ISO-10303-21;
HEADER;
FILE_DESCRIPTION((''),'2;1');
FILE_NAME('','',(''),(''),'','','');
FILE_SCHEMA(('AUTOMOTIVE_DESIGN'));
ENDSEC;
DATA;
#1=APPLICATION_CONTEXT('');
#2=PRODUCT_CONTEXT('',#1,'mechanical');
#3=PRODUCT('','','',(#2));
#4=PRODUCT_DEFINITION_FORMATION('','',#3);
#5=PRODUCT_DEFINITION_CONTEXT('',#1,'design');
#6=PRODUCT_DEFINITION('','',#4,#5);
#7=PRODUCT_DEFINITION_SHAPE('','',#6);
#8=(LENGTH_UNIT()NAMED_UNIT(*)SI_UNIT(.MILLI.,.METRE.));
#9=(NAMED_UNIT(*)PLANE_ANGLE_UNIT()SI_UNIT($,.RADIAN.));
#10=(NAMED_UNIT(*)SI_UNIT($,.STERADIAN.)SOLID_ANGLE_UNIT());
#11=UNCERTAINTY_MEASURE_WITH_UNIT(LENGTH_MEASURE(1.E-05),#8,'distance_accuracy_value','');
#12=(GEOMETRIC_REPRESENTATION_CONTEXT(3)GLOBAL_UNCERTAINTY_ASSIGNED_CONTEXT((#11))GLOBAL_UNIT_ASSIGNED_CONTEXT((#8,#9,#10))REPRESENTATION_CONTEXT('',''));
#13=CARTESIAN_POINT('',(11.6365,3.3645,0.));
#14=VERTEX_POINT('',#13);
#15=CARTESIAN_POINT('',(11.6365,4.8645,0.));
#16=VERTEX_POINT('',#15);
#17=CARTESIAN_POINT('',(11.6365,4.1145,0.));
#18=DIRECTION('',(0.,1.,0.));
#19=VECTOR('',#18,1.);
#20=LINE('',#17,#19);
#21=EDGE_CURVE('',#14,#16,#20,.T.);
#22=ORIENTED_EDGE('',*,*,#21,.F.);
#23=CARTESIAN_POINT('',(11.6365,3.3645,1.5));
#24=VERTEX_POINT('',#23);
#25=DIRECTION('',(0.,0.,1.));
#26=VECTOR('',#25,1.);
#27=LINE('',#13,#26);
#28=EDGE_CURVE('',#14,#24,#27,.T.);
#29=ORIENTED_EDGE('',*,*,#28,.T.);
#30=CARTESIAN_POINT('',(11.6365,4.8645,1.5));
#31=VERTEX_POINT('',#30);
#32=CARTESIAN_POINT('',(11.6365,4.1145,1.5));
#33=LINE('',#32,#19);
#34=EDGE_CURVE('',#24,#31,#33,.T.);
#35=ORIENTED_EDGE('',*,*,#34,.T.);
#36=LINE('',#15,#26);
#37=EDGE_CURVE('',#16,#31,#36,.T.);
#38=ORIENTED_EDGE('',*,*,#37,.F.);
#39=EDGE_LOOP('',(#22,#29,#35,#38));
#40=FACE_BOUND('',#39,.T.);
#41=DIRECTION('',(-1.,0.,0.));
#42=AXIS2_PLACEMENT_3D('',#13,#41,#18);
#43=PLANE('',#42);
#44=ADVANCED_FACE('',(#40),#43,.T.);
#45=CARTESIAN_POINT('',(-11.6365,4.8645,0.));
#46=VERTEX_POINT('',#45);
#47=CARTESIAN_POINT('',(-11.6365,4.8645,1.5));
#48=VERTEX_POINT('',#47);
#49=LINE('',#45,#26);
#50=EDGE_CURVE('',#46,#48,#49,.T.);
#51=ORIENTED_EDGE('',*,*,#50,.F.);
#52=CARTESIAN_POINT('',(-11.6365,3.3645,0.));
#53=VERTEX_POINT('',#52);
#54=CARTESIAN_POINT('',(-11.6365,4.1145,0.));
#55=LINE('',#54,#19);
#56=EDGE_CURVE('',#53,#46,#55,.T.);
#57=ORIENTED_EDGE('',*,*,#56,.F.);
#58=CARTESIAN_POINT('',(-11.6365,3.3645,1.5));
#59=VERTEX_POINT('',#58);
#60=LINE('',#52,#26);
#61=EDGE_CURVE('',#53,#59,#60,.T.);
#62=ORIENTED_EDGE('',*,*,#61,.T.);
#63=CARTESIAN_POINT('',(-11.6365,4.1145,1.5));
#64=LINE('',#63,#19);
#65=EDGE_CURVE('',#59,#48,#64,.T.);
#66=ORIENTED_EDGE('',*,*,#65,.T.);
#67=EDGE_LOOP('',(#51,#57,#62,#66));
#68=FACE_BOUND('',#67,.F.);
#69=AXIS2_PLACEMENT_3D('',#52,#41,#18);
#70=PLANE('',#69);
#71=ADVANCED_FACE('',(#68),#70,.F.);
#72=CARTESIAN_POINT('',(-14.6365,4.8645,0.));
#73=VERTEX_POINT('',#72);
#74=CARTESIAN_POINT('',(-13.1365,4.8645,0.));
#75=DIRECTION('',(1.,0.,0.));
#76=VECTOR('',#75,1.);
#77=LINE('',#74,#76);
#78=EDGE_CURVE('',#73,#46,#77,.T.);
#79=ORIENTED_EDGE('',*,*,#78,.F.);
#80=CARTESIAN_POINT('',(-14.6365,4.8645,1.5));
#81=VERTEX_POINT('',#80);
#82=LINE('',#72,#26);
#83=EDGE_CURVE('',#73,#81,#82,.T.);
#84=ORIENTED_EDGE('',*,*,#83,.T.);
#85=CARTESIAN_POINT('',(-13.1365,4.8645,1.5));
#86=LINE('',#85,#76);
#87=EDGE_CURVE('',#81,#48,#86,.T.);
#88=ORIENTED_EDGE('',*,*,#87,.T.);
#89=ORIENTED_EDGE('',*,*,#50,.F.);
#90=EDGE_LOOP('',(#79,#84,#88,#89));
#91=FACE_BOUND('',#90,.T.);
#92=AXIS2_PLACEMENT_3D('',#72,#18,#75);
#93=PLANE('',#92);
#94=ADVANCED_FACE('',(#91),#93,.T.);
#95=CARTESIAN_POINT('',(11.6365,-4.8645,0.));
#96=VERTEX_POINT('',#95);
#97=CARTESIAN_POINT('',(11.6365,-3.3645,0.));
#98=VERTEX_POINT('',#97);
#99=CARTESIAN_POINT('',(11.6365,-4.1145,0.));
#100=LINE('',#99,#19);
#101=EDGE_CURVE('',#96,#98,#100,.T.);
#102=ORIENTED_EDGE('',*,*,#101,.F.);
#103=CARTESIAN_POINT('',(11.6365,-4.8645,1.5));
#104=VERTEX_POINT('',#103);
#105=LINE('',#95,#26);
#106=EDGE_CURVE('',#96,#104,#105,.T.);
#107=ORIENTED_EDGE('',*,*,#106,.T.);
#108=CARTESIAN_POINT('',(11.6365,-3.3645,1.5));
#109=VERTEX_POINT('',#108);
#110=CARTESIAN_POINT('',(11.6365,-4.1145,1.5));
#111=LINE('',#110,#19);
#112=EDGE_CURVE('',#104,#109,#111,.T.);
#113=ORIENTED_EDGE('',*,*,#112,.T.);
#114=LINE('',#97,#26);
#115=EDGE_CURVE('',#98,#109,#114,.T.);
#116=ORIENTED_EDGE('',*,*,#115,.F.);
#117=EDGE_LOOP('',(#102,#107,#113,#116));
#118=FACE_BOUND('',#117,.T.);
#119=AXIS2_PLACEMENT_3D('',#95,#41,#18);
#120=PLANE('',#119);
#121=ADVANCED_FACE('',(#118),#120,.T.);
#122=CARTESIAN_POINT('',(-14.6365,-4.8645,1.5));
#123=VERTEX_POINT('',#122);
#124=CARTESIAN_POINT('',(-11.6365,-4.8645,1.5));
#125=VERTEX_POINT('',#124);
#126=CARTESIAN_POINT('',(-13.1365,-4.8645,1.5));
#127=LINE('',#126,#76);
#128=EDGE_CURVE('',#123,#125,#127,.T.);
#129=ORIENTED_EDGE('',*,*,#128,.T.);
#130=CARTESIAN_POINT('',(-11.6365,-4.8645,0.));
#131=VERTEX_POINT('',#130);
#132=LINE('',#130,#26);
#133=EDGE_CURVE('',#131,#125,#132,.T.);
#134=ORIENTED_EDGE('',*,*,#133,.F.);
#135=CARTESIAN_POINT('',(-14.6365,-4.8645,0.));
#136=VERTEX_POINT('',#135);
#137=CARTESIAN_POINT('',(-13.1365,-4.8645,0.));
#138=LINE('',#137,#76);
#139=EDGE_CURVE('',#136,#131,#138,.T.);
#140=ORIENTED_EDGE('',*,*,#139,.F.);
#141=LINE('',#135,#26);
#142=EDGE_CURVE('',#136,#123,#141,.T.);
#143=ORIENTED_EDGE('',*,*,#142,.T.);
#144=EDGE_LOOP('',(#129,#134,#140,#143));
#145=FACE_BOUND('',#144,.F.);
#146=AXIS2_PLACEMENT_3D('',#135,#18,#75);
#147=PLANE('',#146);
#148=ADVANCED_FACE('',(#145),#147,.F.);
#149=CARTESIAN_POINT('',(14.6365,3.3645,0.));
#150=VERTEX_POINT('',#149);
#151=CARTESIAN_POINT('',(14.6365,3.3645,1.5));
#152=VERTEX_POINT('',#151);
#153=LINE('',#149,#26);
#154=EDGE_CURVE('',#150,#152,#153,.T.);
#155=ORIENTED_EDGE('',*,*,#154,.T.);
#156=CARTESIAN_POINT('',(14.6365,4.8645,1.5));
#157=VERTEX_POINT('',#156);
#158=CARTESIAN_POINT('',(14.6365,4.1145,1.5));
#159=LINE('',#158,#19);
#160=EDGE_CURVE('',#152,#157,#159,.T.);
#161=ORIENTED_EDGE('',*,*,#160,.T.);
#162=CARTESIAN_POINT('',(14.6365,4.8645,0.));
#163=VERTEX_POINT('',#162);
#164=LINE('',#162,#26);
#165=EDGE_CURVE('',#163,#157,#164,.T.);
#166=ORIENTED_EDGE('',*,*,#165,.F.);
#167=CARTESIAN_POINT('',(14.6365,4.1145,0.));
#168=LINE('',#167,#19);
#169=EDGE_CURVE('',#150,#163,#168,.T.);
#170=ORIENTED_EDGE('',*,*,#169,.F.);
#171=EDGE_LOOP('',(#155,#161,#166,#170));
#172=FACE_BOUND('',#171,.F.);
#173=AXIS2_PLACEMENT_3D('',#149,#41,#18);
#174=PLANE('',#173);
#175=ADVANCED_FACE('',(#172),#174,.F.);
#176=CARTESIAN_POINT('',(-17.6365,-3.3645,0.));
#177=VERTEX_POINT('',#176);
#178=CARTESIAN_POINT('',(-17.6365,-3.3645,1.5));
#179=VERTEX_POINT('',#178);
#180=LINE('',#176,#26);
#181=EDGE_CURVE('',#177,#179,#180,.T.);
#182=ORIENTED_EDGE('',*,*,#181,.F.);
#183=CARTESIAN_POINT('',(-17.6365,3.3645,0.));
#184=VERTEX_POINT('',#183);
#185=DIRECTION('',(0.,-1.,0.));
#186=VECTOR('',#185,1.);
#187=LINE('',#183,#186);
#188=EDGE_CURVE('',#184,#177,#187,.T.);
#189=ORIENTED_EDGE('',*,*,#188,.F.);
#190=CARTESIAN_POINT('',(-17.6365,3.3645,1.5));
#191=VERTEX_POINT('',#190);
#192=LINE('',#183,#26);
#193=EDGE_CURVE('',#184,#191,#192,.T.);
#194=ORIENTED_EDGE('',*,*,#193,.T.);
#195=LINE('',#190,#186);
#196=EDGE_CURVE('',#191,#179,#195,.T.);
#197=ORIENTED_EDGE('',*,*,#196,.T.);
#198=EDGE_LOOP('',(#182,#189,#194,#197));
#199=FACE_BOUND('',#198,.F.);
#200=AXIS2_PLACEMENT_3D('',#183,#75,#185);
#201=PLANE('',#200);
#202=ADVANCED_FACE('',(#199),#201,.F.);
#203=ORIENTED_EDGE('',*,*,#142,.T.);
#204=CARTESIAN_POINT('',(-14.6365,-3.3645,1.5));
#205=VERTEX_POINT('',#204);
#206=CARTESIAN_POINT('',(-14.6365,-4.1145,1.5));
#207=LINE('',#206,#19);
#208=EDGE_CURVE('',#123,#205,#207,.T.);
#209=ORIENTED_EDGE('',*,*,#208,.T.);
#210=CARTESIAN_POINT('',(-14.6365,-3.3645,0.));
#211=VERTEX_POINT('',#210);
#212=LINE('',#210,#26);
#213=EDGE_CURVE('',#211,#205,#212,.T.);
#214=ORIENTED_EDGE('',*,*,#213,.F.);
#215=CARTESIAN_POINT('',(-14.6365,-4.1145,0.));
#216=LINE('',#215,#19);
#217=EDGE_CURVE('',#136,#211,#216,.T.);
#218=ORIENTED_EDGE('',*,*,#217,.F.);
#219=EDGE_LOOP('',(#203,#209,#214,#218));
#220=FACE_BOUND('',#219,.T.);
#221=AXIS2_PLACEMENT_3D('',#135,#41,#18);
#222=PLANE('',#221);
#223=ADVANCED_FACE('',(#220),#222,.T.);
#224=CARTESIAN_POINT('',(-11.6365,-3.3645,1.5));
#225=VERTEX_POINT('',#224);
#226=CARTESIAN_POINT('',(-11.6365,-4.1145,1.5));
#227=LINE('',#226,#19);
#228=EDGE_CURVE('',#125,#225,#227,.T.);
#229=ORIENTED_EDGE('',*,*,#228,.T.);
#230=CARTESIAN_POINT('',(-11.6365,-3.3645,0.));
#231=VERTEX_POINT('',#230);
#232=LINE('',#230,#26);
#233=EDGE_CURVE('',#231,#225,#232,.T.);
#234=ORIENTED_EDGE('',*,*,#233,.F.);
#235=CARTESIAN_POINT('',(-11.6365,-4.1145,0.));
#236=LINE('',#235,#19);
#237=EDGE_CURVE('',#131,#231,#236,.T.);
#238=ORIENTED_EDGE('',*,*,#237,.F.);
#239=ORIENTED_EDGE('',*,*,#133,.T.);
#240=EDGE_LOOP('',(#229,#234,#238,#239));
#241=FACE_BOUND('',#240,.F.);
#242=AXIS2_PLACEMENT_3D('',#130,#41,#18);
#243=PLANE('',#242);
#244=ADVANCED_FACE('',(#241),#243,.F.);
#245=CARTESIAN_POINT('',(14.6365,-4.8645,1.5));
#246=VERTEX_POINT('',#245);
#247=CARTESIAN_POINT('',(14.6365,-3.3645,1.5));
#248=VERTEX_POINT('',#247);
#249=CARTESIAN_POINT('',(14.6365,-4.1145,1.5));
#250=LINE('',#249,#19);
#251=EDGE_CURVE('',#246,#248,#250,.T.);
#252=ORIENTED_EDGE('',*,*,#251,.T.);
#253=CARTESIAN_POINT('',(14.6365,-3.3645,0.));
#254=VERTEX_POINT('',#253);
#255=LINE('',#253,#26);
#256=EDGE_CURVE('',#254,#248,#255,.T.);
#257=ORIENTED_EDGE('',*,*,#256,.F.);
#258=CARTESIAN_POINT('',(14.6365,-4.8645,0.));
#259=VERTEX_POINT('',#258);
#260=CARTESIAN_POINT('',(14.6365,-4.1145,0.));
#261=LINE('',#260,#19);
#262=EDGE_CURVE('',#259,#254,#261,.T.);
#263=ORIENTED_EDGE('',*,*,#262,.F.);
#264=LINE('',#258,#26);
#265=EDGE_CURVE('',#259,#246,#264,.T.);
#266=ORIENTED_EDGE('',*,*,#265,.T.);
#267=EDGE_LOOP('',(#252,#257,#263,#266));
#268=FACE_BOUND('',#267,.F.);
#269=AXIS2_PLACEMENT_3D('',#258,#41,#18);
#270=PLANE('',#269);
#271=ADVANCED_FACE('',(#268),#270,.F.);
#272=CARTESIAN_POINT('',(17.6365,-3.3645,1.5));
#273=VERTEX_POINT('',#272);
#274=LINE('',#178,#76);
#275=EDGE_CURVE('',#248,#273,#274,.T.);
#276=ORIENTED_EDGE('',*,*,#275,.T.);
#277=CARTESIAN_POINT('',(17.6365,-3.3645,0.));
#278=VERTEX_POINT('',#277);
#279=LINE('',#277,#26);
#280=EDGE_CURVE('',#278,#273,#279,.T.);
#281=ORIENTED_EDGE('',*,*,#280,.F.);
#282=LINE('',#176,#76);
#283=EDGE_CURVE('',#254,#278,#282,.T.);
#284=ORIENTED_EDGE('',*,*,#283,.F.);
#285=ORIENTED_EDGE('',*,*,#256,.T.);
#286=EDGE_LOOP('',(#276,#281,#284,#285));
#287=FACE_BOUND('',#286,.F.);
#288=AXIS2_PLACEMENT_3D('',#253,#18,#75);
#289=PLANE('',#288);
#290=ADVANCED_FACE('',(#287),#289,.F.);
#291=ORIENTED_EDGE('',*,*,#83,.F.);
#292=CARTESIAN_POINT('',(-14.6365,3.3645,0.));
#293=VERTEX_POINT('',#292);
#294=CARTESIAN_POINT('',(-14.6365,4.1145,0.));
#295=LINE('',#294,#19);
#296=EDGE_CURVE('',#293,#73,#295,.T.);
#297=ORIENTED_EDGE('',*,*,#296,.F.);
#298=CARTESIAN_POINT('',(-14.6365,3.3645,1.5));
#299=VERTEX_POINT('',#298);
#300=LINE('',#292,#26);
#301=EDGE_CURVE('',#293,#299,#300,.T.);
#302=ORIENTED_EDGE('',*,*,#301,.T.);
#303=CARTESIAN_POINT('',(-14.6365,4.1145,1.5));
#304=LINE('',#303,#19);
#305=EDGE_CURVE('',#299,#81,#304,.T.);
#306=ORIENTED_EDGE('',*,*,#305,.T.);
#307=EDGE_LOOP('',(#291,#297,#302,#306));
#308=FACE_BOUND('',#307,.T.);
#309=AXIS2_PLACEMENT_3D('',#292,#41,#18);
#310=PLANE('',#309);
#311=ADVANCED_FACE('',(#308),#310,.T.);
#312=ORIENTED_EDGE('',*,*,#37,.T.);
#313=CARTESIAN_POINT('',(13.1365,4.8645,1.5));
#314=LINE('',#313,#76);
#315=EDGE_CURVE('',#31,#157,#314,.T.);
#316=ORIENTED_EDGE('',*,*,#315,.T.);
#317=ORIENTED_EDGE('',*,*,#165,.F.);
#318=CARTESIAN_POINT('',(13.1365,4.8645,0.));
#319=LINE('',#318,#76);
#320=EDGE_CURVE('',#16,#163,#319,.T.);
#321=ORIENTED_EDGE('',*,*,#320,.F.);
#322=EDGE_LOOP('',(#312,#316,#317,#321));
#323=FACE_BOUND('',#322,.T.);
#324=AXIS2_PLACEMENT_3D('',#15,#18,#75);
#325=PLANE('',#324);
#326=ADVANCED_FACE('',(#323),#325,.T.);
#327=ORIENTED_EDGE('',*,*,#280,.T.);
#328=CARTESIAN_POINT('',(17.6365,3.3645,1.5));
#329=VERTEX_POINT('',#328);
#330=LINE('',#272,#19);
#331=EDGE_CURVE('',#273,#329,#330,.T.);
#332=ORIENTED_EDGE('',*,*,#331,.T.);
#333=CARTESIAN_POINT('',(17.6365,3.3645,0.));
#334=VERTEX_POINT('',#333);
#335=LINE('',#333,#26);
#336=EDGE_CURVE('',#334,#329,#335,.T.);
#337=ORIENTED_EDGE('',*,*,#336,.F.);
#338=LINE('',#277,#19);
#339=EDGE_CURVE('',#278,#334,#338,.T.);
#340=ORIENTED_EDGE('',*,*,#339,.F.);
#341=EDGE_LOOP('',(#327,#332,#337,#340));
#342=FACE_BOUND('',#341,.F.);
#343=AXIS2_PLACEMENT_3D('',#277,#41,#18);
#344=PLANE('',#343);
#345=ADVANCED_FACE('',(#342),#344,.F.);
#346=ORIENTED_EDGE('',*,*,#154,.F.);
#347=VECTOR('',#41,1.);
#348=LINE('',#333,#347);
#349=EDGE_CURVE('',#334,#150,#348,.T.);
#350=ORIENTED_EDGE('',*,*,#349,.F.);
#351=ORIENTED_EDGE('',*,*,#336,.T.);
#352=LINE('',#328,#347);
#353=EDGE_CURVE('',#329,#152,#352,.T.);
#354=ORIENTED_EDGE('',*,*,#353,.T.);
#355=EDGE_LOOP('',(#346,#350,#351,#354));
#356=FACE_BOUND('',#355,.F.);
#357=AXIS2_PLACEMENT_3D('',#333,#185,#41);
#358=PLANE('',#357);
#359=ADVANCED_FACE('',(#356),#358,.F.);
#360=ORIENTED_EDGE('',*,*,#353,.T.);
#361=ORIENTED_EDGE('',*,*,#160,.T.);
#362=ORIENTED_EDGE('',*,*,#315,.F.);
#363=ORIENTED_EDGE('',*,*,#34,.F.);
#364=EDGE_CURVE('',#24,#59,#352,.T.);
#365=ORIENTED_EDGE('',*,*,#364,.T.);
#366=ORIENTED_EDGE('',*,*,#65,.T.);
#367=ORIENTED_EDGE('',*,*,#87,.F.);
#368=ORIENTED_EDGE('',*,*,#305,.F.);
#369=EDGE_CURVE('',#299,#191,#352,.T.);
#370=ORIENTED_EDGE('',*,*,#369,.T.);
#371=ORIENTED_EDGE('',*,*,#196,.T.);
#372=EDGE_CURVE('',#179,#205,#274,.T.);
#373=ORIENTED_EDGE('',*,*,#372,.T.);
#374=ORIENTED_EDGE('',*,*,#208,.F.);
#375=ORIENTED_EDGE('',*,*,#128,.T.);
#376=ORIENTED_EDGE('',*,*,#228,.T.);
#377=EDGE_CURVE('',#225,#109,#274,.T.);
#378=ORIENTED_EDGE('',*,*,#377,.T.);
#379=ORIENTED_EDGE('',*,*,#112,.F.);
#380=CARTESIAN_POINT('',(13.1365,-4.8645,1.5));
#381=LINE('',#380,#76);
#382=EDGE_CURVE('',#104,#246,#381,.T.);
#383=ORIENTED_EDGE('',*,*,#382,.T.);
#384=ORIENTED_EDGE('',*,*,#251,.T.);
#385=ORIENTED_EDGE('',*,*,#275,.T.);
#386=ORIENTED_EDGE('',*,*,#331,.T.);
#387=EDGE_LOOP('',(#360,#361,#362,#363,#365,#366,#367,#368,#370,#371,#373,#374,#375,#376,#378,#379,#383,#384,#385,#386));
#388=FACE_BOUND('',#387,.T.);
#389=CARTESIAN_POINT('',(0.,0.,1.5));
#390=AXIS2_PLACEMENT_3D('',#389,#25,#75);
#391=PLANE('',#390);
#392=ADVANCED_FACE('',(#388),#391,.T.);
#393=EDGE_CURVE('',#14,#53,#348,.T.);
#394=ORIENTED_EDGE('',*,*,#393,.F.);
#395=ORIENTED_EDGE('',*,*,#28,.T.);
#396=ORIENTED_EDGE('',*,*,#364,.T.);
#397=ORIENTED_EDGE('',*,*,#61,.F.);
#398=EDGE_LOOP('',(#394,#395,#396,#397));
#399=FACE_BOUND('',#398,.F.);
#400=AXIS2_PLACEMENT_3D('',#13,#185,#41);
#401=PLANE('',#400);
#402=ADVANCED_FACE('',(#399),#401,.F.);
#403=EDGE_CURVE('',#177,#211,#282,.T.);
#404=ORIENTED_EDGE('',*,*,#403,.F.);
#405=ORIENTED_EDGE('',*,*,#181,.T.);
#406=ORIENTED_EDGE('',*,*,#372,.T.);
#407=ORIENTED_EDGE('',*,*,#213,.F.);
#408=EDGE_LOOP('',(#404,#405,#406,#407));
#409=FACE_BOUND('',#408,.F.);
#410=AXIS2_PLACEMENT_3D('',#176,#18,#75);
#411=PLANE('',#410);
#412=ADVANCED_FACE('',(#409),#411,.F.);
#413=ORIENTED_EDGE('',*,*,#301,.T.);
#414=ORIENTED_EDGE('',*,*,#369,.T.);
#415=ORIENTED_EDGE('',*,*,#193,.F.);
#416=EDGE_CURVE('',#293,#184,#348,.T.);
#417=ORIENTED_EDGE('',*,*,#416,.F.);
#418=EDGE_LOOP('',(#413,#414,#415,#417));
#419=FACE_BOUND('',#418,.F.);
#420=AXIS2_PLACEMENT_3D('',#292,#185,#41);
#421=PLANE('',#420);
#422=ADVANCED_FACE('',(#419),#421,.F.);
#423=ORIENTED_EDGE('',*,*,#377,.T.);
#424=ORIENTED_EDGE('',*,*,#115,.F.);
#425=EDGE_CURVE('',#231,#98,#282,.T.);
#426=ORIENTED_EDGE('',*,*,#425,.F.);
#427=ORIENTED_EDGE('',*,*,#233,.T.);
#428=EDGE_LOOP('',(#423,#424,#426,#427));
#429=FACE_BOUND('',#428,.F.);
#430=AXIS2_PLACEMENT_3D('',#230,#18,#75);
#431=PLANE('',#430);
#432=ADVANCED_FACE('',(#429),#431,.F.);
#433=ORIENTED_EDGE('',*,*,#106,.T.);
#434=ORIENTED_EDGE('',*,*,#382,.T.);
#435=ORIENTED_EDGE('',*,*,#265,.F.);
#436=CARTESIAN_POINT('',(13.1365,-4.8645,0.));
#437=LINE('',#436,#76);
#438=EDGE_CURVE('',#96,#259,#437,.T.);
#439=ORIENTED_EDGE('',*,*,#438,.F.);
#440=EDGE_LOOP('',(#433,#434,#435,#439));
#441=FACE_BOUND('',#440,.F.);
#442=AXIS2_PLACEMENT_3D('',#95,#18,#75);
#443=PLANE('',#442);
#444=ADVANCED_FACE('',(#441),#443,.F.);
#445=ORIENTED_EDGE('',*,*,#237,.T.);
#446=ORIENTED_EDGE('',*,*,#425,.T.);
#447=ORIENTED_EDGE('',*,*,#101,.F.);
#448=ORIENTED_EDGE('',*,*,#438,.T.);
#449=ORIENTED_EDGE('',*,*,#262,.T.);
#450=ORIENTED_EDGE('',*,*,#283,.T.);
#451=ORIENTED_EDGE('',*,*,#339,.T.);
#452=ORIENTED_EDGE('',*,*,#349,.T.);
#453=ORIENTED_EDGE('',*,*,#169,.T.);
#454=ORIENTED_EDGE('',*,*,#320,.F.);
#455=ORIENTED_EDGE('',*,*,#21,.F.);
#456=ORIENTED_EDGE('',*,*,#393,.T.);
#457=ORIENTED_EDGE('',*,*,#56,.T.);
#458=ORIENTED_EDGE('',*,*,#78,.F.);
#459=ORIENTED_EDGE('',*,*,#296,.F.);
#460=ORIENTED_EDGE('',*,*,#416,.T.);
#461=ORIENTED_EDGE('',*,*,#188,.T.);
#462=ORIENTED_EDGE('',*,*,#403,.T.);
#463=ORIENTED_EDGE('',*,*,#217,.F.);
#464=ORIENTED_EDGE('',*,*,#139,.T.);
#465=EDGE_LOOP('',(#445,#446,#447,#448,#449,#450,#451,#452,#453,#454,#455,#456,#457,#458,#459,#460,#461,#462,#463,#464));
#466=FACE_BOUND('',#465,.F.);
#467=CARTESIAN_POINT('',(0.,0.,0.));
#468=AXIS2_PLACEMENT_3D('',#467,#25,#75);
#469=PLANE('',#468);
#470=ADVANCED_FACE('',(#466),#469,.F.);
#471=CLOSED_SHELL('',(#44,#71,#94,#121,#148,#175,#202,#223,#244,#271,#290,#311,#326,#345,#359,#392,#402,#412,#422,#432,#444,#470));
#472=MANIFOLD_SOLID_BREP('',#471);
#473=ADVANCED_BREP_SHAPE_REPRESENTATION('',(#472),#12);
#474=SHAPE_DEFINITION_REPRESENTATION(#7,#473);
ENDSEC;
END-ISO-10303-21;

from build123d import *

# Parameters (mm, degrees)
F0_W     = 3
F0_H     = 1.5
F1_DEPTH = 1.5


with BuildPart() as f1:
    # F0 (on Top) → F1 (new body)
    with BuildSketch(Plane.XY):
        Polygon((-14.6365, 3.3645), (-17.6365, 3.3645), (-17.6365, -3.3645), (-14.6365, -3.3645), (-11.6365, -3.3645), (11.6365, -3.3645), (14.6365, -3.3645), (17.6365, -3.3645), (17.6365, 3.3645), (14.6365, 3.3645), (11.6365, 3.3645), (-11.6365, 3.3645), align=None)
        with Locations((-13.1365, 4.1145)):
            Rectangle(F0_W, F0_H)
        with Locations((-13.1365, -4.1145)):
            Rectangle(F0_W, F0_H)
        with Locations((13.1365, 4.1145)):
            Rectangle(F0_W, F0_H)
        with Locations((13.1365, -4.1145)):
            Rectangle(F0_W, F0_H)
    extrude(amount=F1_DEPTH)


solid = f1.part
